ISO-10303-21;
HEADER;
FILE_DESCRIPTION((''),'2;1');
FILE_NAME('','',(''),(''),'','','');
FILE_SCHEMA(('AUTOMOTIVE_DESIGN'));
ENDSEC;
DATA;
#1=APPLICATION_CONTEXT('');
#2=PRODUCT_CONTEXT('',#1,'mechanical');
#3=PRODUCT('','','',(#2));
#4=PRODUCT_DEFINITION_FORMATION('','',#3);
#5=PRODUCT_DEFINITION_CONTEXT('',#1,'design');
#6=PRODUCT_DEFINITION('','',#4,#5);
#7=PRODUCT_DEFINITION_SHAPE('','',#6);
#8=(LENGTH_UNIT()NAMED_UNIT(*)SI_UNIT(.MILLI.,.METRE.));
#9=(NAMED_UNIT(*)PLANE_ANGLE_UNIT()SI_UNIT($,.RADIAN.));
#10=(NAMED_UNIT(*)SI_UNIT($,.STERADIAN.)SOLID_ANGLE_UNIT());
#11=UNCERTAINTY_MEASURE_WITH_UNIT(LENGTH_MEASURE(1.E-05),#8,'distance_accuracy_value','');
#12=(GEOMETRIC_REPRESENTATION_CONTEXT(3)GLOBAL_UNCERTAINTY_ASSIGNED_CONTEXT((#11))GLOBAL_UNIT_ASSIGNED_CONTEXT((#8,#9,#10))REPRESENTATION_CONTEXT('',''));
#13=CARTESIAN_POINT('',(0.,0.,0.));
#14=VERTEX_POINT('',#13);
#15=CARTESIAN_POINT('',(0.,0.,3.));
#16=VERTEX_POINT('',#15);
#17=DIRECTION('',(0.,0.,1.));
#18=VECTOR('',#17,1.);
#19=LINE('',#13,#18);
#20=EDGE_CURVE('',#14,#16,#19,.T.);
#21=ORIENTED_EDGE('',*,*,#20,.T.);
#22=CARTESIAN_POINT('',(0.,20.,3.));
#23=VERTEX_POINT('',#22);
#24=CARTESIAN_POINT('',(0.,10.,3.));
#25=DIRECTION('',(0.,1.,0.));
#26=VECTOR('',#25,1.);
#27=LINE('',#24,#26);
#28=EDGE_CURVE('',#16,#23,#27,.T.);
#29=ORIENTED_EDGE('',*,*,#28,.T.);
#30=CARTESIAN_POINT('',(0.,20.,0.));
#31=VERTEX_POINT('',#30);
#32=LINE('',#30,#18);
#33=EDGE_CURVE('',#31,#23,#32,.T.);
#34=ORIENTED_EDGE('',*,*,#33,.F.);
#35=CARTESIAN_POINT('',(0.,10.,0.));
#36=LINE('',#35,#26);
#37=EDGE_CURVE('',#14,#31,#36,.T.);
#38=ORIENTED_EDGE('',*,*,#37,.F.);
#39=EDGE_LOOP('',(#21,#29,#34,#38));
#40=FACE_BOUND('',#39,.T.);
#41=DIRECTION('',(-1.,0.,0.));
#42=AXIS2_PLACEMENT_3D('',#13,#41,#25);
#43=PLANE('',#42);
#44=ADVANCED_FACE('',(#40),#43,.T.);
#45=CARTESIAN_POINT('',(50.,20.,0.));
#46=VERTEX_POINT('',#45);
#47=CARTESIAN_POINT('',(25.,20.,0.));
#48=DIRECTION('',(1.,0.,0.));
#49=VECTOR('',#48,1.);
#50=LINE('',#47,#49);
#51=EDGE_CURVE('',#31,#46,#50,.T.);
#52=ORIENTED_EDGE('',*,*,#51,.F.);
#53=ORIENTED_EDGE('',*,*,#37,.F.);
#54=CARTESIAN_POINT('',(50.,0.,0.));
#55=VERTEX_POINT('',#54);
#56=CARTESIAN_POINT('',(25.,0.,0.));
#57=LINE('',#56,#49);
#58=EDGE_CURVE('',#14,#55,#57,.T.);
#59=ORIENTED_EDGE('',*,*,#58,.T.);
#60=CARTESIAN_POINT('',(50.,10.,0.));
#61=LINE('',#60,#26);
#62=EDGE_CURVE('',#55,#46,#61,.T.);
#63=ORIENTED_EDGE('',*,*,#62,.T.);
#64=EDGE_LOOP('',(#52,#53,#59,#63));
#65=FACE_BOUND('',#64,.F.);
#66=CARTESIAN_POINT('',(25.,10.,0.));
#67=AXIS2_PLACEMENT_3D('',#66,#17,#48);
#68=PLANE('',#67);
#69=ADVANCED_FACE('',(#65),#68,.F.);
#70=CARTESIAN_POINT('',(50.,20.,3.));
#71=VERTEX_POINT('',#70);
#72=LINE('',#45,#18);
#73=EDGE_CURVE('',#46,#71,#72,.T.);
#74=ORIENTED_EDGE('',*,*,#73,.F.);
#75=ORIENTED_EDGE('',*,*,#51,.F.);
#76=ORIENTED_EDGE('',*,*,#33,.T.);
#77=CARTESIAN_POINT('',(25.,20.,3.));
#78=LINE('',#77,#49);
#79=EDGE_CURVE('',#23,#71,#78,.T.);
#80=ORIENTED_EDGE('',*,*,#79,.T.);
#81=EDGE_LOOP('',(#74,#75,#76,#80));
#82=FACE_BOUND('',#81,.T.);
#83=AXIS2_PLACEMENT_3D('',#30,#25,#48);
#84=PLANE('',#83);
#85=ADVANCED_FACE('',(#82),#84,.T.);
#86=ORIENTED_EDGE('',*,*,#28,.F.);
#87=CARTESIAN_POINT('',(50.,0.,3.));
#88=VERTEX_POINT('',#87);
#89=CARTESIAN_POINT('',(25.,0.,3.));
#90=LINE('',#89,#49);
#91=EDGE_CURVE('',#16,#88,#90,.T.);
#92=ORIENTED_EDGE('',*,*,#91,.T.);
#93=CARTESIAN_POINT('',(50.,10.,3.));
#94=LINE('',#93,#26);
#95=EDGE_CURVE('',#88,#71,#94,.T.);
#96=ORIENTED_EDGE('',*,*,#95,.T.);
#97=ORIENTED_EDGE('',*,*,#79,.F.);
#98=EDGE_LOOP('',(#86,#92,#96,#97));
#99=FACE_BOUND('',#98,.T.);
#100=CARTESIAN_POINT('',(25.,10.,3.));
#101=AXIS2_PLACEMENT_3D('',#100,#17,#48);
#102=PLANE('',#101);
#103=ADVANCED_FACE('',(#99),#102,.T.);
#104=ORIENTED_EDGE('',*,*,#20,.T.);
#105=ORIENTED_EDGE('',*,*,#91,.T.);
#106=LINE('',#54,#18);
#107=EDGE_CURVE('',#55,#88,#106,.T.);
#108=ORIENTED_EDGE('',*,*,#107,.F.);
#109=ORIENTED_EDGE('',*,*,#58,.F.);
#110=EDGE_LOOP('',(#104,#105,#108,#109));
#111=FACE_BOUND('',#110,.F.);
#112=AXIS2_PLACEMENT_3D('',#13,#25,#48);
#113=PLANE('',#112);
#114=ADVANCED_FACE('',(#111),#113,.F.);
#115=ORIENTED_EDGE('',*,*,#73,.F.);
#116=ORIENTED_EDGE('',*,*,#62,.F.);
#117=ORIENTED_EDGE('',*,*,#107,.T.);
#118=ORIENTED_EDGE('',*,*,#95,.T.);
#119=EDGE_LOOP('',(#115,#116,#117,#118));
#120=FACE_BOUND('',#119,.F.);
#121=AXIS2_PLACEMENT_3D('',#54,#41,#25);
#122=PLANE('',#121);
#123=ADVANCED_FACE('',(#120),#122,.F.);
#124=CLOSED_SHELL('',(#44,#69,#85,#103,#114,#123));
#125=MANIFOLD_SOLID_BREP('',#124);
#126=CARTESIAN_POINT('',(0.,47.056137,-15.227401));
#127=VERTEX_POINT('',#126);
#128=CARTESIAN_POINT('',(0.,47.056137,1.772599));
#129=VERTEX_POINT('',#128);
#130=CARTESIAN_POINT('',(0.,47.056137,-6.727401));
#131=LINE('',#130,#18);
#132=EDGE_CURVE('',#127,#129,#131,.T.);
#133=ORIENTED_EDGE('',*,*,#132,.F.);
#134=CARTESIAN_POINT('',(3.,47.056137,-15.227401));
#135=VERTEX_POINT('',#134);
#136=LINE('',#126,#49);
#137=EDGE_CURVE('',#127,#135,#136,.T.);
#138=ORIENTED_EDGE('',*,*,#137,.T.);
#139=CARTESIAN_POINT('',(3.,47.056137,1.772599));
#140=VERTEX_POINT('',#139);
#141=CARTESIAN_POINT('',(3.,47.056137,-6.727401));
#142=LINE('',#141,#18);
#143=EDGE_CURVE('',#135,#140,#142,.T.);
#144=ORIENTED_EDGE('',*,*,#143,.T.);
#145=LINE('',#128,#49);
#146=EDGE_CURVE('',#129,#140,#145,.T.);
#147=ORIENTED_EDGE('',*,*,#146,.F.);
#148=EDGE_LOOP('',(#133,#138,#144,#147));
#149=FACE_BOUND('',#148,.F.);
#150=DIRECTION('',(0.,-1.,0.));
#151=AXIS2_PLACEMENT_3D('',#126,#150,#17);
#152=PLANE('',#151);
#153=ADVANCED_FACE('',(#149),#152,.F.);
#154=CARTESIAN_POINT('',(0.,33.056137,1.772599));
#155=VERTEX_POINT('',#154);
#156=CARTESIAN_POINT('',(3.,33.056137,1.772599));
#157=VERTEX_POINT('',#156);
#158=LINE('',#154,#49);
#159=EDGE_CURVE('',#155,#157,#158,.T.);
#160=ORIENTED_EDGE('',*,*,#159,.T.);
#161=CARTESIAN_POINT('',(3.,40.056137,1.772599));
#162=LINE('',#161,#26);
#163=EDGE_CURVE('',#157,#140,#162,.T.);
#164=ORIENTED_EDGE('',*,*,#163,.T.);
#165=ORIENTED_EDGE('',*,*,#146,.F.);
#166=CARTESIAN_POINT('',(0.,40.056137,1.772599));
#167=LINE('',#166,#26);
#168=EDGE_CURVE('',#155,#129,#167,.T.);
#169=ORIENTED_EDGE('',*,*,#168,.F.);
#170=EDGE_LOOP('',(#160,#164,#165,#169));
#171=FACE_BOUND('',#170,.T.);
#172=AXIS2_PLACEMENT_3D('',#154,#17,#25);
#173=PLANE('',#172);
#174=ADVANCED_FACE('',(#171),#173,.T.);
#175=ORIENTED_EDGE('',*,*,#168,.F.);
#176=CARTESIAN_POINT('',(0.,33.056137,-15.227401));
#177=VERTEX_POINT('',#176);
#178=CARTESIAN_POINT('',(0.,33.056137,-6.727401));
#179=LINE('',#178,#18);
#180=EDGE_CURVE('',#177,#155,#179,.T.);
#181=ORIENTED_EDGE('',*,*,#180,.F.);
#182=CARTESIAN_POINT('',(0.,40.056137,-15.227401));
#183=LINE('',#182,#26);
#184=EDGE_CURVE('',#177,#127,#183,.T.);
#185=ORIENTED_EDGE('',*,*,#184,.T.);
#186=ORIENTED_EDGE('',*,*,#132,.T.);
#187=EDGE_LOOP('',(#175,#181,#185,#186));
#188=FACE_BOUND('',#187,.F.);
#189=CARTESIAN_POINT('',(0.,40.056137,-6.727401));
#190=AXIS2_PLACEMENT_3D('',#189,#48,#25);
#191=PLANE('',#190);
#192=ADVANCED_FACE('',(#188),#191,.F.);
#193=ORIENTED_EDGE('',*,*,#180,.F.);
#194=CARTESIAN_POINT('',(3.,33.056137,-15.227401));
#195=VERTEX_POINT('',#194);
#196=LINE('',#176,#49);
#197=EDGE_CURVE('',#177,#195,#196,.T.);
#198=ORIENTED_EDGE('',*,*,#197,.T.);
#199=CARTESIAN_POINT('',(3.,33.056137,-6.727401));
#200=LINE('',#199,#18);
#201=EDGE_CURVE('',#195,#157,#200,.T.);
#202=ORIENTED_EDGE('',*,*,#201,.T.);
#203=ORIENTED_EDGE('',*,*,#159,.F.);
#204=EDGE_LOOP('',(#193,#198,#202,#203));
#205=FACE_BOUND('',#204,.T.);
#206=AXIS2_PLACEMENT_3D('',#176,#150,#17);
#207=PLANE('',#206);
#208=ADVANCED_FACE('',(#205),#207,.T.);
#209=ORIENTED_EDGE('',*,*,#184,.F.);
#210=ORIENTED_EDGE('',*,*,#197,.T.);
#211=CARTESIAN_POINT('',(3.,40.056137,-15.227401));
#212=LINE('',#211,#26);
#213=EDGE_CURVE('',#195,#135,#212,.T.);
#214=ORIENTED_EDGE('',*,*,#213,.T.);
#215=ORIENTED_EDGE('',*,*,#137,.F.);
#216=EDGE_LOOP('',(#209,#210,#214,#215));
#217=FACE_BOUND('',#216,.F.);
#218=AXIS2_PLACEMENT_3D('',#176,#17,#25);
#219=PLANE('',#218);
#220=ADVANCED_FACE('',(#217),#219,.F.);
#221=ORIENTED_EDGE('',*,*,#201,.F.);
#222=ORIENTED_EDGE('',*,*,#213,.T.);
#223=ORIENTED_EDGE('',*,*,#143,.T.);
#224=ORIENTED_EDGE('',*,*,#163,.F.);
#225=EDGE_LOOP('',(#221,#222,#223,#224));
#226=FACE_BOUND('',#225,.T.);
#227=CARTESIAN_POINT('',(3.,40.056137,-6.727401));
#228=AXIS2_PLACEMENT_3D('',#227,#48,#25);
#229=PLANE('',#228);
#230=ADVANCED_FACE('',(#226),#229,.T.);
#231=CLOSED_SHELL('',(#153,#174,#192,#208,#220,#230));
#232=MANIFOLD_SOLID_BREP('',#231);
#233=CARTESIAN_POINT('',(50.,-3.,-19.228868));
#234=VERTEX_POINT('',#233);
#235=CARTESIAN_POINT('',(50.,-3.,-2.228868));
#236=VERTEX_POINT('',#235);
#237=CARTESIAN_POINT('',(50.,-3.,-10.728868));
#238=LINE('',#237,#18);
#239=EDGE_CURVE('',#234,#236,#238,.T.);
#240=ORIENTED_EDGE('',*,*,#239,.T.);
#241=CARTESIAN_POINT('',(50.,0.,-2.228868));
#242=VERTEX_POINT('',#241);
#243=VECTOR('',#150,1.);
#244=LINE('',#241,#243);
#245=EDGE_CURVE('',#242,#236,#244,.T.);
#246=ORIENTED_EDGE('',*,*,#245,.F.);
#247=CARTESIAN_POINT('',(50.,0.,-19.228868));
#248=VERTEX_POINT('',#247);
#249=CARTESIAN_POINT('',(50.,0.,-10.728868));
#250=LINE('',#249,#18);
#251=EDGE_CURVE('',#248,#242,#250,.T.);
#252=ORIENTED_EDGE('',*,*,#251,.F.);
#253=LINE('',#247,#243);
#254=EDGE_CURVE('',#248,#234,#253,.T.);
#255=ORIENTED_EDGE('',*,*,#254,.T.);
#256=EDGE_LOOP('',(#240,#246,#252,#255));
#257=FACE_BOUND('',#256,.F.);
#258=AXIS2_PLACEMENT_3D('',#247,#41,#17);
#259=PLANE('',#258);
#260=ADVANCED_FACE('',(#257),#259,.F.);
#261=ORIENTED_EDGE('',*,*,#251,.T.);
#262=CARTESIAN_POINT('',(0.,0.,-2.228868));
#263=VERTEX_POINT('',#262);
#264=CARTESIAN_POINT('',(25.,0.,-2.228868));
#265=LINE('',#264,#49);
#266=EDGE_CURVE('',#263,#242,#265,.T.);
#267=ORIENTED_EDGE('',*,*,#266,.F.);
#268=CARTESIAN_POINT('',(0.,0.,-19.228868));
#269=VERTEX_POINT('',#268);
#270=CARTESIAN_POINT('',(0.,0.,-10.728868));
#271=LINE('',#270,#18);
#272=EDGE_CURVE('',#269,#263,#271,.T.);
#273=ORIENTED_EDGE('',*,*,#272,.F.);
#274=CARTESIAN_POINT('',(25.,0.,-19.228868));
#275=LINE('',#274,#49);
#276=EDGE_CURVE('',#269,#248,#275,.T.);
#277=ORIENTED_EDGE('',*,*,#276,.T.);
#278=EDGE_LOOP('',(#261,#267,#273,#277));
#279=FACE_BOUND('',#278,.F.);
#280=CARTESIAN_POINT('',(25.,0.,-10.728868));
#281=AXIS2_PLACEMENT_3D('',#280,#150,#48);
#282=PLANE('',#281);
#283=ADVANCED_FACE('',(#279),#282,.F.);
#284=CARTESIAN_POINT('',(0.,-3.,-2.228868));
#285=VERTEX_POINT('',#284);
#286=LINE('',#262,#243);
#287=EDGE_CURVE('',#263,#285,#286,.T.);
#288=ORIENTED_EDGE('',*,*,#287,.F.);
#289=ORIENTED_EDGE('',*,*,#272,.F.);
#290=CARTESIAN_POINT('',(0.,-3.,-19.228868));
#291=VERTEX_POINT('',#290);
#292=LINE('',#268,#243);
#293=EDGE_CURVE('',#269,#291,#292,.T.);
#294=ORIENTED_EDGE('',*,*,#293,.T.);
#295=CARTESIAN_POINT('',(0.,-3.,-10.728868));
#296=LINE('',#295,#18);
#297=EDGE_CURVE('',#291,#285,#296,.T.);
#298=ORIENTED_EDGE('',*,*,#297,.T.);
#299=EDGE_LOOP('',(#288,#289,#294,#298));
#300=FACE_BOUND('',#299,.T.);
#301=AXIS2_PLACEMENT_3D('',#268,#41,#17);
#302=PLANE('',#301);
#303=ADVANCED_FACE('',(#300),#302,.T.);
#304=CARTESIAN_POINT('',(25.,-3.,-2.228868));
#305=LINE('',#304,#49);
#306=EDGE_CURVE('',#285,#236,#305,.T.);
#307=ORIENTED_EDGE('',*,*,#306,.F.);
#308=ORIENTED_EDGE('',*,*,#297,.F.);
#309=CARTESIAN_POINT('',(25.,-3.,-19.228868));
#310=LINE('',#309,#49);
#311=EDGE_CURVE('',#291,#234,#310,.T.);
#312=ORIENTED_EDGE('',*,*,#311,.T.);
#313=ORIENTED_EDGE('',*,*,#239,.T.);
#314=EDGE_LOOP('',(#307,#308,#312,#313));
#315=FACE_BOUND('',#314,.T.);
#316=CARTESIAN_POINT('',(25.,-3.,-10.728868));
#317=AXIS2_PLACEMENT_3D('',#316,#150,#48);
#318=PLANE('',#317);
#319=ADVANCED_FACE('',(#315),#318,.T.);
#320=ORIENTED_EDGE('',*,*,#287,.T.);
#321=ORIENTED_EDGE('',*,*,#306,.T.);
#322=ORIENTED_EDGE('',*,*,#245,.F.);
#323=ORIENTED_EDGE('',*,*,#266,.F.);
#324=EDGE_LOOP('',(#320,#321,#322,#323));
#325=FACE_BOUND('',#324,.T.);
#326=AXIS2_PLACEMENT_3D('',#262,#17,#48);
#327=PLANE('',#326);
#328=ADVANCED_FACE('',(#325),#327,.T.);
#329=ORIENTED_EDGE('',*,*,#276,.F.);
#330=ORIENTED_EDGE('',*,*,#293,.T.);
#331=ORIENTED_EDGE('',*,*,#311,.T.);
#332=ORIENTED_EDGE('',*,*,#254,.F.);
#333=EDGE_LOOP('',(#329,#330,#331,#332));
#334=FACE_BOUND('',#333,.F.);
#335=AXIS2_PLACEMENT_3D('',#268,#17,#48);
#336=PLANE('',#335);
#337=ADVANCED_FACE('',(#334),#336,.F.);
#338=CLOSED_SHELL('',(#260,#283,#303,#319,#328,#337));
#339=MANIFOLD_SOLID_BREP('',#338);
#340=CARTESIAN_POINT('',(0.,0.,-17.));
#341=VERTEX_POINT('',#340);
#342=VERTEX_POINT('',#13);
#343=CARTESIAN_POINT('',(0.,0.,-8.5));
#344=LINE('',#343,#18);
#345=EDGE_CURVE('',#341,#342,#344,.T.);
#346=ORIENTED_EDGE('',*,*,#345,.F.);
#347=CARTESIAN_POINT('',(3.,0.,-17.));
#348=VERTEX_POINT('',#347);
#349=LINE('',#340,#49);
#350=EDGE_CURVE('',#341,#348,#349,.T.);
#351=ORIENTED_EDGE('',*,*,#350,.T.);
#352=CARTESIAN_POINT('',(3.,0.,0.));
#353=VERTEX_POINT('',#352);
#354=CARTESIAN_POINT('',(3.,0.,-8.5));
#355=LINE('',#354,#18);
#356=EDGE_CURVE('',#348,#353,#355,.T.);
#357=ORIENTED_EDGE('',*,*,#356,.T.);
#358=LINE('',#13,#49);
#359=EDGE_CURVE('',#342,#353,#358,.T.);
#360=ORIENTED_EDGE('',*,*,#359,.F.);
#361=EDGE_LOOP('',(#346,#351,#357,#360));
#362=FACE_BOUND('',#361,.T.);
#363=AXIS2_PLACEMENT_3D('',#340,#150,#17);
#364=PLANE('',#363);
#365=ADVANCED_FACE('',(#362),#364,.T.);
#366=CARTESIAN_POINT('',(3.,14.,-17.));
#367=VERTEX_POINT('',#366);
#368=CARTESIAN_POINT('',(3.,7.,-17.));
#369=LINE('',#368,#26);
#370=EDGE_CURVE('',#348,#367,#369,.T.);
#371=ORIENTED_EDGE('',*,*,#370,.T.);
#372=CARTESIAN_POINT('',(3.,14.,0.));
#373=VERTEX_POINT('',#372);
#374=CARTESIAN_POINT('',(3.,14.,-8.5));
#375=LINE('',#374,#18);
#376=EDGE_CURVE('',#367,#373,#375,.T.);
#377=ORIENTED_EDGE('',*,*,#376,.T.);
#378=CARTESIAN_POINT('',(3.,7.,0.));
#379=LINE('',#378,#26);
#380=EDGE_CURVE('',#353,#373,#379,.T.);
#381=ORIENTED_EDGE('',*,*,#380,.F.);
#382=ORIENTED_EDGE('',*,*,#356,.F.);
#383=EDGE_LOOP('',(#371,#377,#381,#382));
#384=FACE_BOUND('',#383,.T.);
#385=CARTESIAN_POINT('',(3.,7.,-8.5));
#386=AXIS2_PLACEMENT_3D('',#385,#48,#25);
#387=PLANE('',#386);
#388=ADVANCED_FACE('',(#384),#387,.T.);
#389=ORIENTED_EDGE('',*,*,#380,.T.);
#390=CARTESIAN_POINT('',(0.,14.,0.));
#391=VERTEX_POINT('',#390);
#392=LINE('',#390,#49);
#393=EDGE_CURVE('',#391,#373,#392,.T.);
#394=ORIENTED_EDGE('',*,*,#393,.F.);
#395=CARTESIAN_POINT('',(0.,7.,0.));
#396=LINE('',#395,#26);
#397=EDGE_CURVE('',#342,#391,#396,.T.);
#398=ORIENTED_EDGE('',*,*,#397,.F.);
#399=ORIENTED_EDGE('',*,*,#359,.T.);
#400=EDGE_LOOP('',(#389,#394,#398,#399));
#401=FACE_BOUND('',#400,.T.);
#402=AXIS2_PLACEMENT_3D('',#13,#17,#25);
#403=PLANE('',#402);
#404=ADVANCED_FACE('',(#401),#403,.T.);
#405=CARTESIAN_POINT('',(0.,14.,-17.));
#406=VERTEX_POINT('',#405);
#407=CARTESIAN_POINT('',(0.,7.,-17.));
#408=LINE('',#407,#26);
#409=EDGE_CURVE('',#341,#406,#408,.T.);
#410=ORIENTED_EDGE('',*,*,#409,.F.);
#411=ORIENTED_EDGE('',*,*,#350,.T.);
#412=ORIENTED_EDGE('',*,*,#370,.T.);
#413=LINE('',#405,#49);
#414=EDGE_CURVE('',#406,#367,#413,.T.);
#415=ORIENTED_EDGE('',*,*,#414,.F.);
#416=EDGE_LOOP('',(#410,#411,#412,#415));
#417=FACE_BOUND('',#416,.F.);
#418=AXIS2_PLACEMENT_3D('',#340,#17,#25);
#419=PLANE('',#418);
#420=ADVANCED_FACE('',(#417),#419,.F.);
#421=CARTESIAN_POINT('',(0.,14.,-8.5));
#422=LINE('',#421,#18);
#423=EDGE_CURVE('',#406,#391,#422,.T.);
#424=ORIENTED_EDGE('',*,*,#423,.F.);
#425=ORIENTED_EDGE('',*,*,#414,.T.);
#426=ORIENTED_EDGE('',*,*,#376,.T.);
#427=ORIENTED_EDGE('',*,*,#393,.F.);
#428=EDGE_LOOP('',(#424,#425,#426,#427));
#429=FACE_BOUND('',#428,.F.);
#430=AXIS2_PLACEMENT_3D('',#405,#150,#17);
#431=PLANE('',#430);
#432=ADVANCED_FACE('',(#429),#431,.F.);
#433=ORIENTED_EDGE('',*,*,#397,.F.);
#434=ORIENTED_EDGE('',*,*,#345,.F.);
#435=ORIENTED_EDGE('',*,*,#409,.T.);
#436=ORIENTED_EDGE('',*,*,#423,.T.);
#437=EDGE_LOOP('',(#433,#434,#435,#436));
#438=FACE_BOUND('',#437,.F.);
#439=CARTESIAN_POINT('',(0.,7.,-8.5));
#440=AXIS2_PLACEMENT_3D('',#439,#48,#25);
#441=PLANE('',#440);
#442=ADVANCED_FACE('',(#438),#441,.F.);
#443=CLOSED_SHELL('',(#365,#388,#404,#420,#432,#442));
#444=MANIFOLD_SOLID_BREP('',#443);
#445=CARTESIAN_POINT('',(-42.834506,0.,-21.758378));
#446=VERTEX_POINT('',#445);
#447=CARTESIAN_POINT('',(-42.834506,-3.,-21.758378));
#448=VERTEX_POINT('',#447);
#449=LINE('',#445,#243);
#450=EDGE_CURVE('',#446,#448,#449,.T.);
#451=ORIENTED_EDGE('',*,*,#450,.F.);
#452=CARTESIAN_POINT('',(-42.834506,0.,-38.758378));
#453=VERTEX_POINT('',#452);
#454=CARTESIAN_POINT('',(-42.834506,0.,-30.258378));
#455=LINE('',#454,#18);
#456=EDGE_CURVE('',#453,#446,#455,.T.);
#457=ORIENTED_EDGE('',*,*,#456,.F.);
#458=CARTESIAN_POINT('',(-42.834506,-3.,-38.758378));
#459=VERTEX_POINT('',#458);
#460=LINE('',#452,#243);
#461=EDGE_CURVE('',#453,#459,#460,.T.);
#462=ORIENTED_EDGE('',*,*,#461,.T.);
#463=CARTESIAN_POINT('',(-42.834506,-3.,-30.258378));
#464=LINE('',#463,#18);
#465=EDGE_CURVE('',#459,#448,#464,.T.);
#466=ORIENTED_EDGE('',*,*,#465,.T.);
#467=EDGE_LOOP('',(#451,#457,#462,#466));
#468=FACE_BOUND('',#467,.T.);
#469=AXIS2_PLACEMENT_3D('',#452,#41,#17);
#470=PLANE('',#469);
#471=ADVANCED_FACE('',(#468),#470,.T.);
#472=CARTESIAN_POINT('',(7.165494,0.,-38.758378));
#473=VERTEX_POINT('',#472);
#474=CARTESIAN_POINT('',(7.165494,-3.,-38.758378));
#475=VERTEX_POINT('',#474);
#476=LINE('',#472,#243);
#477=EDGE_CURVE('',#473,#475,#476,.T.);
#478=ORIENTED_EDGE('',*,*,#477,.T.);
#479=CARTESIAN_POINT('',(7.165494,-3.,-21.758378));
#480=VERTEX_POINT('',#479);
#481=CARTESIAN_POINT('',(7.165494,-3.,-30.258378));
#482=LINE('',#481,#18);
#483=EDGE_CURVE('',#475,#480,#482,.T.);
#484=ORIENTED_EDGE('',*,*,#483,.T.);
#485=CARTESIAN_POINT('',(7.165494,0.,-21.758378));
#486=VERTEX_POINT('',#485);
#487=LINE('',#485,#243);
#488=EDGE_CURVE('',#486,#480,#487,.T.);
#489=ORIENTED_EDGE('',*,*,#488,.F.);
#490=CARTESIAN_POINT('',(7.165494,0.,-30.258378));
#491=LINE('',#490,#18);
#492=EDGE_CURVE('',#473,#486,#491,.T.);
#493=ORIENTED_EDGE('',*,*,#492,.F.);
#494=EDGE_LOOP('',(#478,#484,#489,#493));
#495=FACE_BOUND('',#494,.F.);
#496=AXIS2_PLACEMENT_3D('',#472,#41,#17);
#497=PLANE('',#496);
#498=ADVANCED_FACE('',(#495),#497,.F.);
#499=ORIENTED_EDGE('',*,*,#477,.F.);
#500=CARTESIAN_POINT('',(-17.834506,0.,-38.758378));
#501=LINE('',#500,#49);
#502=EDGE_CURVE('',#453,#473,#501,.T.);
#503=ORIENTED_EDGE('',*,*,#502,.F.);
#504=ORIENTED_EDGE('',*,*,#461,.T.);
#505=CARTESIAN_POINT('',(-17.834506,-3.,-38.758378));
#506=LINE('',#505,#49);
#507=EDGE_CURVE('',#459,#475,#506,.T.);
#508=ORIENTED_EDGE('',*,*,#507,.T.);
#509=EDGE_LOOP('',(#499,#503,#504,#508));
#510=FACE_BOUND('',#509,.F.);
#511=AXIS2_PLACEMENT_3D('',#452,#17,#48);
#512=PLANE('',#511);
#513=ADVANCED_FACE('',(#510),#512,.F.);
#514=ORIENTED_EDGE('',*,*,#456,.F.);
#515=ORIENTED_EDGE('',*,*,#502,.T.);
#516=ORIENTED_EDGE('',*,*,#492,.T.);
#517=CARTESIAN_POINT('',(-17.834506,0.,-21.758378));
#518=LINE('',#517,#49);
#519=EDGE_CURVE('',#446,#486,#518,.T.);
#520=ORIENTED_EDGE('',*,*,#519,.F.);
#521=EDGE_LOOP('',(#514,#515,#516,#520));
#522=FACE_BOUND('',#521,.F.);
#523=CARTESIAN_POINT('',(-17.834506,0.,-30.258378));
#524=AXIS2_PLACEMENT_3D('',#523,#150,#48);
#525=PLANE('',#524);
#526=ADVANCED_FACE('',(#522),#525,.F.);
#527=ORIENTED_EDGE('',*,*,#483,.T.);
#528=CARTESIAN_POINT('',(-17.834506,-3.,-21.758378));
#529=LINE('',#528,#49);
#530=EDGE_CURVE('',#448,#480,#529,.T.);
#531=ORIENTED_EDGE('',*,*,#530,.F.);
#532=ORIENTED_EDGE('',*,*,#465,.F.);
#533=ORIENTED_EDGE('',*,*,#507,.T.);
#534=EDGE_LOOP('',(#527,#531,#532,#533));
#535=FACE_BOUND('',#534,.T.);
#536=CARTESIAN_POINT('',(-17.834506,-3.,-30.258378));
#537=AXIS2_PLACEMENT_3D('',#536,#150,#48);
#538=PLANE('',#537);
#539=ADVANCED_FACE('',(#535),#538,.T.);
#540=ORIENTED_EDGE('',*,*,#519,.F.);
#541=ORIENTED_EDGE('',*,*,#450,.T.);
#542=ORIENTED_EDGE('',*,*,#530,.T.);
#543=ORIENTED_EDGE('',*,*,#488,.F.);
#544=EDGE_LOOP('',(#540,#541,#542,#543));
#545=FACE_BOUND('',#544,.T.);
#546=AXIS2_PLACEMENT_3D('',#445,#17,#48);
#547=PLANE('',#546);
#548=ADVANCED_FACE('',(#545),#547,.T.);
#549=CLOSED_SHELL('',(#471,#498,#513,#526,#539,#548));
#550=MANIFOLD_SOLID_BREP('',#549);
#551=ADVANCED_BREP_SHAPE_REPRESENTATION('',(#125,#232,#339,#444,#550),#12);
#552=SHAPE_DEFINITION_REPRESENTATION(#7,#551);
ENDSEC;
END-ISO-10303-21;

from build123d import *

# Parameters (mm, degrees)
F1_DEPTH  = 5.08
F3_W      = 50
F3_H      = 20
F4_DEPTH  = 3
F5_W      = 50
F5_H      = 17
F6_DEPTH  = 3
F7_W      = 14
F7_H      = 17
F8_DEPTH  = 3
F9_W      = 14
F9_H      = 17
F10_DEPTH = 3
F11_W     = 50
F11_H     = 17
F12_DEPTH = 3


with BuildPart() as f1:
    # F0 (on Top) → F1 (new body)
    with BuildSketch(Plane.XY):
        Polygon((-95.0850173831, 173.3136475086), (0, 0), (49.2023602128, 0), (-43.2423092425, 173.3136475086), align=None)
    extrude(amount=-F1_DEPTH)


with BuildPart() as f4:
    # F3 (on Top) → F4 (new body)
    with BuildSketch(Plane.XY):
        with Locations((25, 10)):
            Rectangle(F3_W, F3_H)
    extrude(amount=F4_DEPTH)


with BuildPart() as f6:
    # F5 (on Front) → F6 (new body)
    with BuildSketch(Plane.XZ):
        with Locations((25, -10.7288680744)):
            Rectangle(F5_W, F5_H)
    extrude(amount=F6_DEPTH)


with BuildPart() as f8:
    # F7 (on Right) → F8 (new body)
    with BuildSketch(Plane.YZ):
        with Locations((7, -8.5)):
            Rectangle(F7_W, F7_H)
    extrude(amount=F8_DEPTH)


with BuildPart() as f10:
    # F9 (on Right) → F10 (new body)
    with BuildSketch(Plane.YZ):
        with Locations((40.0561373681, -6.7274013827)):
            Rectangle(F9_W, F9_H)
    extrude(amount=F10_DEPTH)


with BuildPart() as f12:
    # F11 (on Front) → F12 (new body)
    with BuildSketch(Plane.XZ):
        with Locations((-17.8345059976, -30.2583783558)):
            Rectangle(F11_W, F11_H)
    extrude(amount=F12_DEPTH)


solid = Compound([f4.part, f6.part, f8.part, f10.part, f12.part])
